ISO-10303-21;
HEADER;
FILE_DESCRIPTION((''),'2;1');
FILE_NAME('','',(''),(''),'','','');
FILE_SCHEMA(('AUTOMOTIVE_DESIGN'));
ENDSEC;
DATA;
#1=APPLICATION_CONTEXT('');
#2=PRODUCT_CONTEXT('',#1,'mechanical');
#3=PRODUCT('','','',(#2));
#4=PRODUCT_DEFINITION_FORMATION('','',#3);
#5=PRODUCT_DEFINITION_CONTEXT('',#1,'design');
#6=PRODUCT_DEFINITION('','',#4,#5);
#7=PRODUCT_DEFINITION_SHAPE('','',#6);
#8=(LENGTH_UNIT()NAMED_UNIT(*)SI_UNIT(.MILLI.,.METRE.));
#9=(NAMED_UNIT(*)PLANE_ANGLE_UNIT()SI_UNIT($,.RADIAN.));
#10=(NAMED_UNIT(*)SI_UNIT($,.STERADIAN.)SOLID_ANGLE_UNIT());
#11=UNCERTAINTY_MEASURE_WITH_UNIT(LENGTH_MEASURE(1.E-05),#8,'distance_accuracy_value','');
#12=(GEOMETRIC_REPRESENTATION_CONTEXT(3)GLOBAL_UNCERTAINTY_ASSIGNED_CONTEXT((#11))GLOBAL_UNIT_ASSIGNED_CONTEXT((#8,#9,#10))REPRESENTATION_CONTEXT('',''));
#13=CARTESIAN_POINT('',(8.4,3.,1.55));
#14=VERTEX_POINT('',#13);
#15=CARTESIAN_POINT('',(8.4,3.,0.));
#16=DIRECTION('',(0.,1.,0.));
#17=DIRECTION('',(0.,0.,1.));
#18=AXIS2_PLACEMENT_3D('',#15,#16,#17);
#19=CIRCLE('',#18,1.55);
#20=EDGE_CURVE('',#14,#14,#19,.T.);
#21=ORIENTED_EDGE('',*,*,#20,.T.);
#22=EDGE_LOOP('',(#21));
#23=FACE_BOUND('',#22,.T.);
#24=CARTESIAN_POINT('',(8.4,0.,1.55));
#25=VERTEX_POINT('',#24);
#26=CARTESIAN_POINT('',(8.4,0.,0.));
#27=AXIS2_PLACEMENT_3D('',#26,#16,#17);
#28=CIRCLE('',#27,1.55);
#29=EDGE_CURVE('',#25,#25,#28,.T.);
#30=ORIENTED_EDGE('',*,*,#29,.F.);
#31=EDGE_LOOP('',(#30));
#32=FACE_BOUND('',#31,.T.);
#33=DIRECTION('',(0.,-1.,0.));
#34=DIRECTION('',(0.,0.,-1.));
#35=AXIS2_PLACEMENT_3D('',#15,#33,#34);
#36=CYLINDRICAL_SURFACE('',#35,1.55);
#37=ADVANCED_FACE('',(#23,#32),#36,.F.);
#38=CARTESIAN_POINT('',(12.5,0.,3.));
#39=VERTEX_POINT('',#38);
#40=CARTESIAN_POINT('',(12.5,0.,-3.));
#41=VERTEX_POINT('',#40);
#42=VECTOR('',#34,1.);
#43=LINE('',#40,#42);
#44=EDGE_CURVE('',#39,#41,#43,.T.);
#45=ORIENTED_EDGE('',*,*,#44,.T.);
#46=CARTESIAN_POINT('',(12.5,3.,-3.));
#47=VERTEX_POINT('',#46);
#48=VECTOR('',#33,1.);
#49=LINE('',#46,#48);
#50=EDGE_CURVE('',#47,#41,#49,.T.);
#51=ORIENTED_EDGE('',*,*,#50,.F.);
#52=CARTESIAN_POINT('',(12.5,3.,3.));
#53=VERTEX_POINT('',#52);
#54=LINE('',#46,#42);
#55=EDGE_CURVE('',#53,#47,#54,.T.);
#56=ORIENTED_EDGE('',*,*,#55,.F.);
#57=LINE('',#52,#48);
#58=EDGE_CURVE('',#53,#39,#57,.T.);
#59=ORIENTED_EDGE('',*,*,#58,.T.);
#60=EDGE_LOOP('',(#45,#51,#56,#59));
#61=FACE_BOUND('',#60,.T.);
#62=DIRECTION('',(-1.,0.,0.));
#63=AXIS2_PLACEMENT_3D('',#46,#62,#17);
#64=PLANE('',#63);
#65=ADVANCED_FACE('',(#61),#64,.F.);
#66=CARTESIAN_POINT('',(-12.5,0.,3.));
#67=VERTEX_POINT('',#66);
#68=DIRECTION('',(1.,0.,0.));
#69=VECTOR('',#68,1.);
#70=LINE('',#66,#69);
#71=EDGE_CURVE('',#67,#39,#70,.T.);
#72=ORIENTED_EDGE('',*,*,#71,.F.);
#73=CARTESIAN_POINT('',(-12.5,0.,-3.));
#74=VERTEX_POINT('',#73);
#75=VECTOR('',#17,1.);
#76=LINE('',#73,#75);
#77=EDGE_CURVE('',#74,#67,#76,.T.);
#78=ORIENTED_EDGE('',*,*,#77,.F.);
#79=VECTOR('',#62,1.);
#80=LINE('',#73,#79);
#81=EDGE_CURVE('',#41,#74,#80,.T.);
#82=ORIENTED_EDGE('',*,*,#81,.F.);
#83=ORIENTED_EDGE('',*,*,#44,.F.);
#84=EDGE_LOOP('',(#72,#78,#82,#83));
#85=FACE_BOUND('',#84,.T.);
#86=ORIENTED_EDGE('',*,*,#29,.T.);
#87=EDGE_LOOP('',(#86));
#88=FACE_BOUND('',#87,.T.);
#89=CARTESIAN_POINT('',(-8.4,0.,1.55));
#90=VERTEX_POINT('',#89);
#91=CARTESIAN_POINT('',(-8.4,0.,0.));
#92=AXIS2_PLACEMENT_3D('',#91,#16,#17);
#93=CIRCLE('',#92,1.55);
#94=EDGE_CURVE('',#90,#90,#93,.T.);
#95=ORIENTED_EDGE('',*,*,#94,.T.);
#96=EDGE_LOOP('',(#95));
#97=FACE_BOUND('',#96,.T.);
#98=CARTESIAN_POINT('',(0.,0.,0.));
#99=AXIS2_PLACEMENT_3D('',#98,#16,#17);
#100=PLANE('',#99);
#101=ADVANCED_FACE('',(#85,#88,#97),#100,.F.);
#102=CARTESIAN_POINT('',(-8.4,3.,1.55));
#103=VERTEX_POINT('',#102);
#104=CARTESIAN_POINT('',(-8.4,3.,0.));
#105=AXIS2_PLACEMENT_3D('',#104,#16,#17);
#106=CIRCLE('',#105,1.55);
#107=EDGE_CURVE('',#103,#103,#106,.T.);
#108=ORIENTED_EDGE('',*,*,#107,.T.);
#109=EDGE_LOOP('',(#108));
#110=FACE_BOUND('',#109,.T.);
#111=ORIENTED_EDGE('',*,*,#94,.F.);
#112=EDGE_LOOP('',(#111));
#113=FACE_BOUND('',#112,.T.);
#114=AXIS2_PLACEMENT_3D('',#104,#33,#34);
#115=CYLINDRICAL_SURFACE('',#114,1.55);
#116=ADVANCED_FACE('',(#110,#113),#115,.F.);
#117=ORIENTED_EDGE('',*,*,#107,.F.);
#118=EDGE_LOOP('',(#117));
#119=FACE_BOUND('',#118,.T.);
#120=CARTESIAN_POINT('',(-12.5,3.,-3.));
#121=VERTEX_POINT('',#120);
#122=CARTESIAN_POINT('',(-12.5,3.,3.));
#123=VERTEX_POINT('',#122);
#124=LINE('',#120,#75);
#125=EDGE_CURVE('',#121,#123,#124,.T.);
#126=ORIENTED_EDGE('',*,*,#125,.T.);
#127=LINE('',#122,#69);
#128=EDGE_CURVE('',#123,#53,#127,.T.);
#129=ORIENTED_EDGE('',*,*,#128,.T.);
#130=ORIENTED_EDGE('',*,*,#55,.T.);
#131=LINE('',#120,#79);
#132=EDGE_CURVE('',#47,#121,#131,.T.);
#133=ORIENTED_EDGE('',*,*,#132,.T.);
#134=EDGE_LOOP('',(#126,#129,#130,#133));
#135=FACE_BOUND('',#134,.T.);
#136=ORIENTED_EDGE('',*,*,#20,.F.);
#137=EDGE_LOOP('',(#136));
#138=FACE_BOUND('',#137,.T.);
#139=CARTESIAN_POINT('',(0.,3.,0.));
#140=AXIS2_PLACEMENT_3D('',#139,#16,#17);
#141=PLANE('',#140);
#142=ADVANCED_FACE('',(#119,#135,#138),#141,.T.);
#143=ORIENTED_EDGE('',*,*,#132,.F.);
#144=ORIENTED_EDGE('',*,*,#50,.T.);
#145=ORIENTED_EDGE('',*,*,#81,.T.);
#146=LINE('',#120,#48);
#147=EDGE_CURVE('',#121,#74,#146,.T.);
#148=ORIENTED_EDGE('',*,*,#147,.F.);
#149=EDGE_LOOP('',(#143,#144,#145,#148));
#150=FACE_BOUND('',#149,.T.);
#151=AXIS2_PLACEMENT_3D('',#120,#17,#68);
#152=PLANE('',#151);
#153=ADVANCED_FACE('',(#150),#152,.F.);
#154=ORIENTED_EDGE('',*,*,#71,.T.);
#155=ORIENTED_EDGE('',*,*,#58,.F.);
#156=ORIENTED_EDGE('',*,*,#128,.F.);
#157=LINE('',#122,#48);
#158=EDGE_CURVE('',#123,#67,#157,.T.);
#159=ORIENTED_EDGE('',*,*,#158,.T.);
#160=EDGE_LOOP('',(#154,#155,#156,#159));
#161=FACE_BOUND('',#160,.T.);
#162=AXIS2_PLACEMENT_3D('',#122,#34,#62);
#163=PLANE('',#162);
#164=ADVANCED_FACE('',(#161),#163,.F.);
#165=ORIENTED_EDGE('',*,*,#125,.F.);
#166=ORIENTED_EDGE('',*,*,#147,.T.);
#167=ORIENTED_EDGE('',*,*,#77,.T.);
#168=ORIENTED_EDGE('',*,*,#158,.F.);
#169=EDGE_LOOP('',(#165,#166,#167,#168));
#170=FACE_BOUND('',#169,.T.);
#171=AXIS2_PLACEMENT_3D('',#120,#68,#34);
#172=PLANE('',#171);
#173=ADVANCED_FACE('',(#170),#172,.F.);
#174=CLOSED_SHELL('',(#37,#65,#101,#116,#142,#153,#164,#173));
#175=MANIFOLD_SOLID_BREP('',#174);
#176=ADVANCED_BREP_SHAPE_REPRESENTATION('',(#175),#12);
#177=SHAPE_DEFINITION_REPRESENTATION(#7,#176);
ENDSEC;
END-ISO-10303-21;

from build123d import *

# Parameters (mm, degrees)
SKETCH1_W           = 25
SKETCH1_H           = 6
SKETCH1_R           = 1.55
BOSS_EXTRUDE1_DEPTH = 3


with BuildPart() as part:
    # Sketch1 → Boss-Extrude1 (new body)
    with BuildSketch(Plane(origin=(0, 0, 0), x_dir=(1, 0, 0), z_dir=(0, 1, 0))):
        Rectangle(SKETCH1_W, SKETCH1_H)
        with Locations((-8.4, 0)):
            Circle(SKETCH1_R, mode=Mode.SUBTRACT)
        with Locations((8.4, 0)):
            Circle(SKETCH1_R, mode=Mode.SUBTRACT)
    extrude(amount=BOSS_EXTRUDE1_DEPTH)


solid = part.part
